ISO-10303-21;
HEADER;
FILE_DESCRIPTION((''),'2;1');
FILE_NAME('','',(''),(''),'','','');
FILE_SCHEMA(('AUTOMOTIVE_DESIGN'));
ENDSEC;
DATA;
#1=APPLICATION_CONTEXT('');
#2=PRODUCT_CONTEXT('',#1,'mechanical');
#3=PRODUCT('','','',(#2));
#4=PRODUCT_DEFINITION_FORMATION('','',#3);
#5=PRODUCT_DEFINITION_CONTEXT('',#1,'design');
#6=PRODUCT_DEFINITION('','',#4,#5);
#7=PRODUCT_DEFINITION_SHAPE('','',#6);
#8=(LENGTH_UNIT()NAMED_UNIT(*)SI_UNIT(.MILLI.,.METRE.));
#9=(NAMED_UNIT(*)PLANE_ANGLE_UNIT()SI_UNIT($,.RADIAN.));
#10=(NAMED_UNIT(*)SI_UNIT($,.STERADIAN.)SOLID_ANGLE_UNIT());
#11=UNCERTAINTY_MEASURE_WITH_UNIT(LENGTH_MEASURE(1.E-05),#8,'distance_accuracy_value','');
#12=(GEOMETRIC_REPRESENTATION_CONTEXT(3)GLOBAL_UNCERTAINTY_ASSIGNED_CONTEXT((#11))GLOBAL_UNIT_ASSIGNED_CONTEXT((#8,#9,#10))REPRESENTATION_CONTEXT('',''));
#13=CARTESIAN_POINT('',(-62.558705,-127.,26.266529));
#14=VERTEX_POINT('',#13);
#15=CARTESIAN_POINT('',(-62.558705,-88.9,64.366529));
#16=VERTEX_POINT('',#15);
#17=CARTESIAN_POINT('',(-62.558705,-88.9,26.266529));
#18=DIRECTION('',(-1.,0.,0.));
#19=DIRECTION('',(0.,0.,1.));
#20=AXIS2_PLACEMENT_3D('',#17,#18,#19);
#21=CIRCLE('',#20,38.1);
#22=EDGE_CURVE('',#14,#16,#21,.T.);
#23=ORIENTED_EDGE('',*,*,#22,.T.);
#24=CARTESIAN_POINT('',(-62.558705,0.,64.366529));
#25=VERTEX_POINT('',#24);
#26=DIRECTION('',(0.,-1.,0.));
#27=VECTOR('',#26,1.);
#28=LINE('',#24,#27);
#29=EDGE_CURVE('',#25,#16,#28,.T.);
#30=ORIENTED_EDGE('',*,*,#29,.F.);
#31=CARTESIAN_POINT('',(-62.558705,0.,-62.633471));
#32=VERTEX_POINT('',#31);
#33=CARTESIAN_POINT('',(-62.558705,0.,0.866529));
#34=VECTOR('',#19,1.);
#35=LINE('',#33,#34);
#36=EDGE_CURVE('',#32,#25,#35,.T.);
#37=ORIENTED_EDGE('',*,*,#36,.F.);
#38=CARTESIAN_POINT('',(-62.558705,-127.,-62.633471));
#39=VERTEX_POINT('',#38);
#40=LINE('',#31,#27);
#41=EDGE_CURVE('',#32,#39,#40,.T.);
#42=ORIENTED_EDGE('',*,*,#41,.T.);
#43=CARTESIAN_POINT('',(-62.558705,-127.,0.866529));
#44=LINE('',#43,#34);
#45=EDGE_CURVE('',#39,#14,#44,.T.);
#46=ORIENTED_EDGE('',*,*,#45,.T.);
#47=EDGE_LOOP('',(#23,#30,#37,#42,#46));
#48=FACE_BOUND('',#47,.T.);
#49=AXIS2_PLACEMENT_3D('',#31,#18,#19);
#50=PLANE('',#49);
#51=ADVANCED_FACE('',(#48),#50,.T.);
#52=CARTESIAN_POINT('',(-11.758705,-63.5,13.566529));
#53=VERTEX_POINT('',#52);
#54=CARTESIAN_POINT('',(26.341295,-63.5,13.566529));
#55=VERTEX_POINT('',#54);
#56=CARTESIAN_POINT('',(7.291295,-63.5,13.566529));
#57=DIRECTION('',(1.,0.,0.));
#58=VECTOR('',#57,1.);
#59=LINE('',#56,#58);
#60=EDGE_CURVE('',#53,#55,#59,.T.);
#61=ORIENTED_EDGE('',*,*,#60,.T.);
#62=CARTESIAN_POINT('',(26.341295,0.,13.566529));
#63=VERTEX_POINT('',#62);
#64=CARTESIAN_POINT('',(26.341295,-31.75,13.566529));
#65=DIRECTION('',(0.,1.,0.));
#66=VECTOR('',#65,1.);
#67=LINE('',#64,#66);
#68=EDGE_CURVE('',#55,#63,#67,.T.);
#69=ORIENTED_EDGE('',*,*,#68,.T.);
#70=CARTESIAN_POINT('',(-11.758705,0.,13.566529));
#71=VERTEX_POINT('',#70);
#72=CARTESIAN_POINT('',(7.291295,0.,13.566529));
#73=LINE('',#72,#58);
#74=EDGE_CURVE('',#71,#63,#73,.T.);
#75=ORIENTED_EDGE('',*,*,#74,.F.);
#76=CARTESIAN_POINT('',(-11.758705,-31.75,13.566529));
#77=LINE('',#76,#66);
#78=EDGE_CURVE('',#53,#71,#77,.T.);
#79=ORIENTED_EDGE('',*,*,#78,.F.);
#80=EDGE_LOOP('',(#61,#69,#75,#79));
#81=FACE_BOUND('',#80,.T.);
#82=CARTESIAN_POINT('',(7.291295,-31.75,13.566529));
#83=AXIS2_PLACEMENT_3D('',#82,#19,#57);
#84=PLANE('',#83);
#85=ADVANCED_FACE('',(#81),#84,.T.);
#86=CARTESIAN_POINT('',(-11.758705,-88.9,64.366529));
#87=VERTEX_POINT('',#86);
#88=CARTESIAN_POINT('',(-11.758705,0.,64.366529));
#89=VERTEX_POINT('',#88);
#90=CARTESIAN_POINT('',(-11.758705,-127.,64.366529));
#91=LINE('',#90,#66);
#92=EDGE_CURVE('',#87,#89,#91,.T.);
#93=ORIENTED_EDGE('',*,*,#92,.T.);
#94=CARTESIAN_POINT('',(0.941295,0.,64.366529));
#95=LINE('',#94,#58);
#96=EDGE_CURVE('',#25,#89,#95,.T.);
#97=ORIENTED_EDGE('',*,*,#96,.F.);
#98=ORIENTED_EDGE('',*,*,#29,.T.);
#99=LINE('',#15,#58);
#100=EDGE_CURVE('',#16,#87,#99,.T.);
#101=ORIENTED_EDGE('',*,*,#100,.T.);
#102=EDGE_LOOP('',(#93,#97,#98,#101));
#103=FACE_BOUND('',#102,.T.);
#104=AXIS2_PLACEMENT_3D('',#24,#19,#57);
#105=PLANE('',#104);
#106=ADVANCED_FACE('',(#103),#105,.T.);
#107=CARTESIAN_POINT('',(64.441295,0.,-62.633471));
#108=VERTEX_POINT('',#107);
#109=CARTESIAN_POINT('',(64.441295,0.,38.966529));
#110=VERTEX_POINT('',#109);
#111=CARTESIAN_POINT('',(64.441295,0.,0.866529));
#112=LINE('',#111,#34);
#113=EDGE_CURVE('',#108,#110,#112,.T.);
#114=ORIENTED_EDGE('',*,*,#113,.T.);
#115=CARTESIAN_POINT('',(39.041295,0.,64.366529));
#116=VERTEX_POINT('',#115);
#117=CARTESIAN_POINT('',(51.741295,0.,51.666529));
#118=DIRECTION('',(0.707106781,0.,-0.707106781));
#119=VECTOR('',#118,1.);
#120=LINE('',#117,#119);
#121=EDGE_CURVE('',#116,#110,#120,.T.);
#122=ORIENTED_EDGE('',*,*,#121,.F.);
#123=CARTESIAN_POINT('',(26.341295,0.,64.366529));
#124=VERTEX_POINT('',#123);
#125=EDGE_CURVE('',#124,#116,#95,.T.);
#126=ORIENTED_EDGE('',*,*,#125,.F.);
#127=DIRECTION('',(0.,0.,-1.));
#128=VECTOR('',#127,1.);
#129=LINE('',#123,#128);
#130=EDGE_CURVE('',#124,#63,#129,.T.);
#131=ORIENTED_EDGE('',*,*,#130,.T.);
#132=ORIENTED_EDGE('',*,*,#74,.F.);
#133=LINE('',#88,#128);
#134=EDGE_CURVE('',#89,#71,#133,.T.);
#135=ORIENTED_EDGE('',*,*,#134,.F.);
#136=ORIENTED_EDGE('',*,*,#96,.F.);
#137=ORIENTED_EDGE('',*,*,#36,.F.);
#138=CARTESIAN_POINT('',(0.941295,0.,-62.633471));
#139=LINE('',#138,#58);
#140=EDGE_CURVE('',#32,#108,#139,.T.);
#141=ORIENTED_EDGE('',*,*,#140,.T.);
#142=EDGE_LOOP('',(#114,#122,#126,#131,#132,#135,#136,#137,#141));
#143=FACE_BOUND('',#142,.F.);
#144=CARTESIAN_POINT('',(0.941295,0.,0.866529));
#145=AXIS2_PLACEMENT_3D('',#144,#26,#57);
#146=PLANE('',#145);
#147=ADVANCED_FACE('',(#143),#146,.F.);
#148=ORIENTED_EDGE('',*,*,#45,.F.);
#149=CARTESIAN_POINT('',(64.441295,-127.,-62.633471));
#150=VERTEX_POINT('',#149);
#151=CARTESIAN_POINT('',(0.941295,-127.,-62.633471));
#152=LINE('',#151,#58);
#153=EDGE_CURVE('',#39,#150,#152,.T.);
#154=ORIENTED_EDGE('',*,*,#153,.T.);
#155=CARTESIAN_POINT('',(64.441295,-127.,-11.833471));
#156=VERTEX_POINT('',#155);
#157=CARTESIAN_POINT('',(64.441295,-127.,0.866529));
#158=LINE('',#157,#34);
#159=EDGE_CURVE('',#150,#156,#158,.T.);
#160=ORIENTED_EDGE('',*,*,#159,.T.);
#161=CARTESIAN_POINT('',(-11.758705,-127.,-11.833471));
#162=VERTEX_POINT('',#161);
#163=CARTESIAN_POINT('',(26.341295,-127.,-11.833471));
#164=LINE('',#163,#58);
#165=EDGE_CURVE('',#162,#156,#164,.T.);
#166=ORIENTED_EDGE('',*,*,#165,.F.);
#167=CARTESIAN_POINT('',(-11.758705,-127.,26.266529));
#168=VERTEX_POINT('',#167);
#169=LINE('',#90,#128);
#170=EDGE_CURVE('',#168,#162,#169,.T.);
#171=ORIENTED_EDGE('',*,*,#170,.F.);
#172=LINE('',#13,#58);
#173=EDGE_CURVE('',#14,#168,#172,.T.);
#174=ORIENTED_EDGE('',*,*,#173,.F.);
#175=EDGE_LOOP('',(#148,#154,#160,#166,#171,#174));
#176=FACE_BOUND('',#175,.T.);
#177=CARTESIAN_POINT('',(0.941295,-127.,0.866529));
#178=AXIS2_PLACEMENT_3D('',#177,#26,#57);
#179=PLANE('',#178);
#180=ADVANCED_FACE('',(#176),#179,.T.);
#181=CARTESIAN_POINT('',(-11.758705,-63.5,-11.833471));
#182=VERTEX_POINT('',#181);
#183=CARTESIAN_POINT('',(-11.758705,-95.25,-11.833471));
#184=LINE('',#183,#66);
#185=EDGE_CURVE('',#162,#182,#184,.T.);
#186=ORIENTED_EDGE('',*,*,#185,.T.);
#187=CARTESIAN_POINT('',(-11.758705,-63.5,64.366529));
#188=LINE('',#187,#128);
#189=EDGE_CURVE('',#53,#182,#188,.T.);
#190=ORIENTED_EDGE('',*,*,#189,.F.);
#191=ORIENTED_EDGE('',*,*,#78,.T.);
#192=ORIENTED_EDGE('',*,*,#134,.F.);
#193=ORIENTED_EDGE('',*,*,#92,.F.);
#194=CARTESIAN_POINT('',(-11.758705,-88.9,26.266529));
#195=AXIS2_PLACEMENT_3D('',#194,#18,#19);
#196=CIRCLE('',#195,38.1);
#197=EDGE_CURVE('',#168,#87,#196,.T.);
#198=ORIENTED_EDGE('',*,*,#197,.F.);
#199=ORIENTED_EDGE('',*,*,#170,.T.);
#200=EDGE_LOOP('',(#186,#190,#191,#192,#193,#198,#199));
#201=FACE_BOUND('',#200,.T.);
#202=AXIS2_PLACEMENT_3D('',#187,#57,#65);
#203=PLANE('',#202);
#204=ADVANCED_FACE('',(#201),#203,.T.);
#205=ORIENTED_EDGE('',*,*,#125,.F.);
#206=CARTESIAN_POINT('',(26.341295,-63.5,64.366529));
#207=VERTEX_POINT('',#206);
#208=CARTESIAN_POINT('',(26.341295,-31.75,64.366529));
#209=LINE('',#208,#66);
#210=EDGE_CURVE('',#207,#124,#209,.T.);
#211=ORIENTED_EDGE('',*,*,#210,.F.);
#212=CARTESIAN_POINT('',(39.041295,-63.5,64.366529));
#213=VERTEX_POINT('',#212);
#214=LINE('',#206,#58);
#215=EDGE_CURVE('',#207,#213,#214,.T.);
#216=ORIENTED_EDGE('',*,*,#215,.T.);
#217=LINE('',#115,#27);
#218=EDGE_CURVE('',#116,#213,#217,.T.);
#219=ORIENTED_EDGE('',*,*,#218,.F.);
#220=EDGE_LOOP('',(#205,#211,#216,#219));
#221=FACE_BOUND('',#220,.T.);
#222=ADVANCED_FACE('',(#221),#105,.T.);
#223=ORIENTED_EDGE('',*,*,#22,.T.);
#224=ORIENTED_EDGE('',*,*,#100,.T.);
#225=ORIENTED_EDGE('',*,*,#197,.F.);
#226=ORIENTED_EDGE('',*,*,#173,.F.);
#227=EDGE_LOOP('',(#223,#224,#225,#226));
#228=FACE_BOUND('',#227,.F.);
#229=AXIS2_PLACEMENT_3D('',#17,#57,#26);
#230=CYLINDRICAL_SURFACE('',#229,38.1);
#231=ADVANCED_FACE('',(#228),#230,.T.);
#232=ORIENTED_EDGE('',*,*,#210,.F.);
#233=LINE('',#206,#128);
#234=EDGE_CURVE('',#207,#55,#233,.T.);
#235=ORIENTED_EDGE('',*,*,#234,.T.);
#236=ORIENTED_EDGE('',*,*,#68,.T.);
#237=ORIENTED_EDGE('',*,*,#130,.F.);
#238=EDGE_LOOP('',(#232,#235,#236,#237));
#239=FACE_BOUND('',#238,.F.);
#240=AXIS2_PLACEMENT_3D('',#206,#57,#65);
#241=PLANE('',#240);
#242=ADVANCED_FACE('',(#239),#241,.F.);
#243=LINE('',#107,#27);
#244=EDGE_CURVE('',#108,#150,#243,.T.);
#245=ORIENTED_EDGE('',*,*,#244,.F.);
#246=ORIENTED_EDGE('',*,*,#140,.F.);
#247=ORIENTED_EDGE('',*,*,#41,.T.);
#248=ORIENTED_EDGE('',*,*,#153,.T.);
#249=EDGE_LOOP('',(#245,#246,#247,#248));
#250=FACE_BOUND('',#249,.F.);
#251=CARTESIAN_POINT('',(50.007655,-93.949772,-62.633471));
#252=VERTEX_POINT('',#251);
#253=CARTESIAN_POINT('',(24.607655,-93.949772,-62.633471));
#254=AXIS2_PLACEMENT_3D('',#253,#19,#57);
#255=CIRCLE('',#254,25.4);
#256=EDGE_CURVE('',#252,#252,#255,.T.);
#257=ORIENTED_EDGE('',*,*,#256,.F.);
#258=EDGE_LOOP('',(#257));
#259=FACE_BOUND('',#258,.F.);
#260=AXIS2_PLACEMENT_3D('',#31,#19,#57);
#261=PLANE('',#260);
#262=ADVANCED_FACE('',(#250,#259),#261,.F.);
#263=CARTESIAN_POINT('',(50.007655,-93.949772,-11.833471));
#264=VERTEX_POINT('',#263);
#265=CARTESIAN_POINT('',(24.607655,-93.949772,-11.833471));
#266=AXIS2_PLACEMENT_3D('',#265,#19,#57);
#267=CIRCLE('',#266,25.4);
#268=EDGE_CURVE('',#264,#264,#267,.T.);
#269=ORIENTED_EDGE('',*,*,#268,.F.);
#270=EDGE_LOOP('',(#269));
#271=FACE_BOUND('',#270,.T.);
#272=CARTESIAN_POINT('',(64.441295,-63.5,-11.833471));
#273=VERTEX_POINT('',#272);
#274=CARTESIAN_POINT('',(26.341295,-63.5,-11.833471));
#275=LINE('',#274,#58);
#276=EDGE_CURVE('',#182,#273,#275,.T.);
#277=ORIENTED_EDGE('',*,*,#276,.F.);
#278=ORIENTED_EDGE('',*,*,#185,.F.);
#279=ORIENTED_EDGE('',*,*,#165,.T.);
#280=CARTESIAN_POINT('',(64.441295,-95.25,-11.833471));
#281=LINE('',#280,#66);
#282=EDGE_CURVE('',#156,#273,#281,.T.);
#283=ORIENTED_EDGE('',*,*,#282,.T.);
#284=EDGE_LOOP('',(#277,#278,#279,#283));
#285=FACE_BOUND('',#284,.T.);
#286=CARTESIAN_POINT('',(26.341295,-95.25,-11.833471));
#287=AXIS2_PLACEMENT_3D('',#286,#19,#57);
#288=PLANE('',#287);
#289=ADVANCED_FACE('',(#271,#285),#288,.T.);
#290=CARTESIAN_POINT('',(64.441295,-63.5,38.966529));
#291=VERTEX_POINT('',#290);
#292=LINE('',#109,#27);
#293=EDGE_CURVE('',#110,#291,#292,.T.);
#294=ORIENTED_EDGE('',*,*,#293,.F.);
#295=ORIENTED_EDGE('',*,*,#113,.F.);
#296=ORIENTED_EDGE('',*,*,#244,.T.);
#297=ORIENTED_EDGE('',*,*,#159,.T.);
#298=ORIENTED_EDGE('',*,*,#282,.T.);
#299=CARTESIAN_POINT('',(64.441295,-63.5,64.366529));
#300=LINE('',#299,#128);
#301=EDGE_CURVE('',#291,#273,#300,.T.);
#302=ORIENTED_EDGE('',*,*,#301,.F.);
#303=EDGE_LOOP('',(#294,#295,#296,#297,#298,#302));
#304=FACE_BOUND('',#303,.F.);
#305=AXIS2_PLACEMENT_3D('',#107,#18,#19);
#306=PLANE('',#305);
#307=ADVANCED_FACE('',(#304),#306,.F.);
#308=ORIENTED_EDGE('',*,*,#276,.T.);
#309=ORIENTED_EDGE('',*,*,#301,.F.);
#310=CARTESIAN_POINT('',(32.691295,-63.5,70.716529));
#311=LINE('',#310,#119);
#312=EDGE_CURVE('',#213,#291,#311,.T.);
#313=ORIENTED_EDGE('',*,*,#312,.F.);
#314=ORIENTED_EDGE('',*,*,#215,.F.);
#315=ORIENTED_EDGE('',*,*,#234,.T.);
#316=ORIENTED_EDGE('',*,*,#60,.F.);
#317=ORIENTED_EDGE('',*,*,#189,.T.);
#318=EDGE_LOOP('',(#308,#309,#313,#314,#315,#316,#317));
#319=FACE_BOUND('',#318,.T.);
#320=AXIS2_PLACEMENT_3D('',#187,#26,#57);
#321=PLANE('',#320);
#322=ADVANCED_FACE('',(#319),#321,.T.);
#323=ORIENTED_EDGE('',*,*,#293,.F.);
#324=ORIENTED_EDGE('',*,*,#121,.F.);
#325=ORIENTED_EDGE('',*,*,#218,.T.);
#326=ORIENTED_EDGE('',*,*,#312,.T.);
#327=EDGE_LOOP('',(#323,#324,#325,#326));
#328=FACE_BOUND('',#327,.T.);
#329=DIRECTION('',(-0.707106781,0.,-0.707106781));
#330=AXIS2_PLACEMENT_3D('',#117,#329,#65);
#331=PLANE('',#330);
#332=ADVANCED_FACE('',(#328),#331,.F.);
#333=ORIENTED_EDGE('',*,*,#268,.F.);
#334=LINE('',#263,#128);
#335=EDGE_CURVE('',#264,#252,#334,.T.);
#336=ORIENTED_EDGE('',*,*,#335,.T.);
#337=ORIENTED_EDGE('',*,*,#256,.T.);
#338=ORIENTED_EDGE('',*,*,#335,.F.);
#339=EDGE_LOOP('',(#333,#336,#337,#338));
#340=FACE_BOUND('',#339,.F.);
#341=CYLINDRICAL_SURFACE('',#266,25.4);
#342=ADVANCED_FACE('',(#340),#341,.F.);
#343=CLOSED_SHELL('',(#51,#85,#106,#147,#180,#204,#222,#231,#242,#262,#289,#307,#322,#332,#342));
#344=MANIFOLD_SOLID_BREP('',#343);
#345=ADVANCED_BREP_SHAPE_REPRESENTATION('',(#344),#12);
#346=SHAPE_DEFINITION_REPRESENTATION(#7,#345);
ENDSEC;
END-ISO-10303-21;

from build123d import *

# Parameters (mm, degrees)
F0_W     = 127
F0_H     = 127
F1_DEPTH = 127
F2_W     = 76.2
F2_H     = 63.5
F3_DEPTH = 76.2
F4_R     = 25.4
F5_DEPTH = 76.2
F6_W     = 38.1
F6_H     = 63.5
F7_DEPTH = 50.8
F8_R     = 38.1
F9_SIZE  = 25.4


with BuildPart() as f1:
    # F0 (on Front) → F1 (new body)
    with BuildSketch(Plane.XZ):
        with Locations((0.941295, 0.866529)):
            Rectangle(F0_W, F0_H)
    extrude(amount=F1_DEPTH)

    # F2 (on face) → F3 (cut)
    with BuildSketch(Plane.XY.offset(64.366529)):
        with Locations((26.341295, -95.25)):
            Rectangle(F2_W, F2_H)
    extrude(amount=-F3_DEPTH, mode=Mode.SUBTRACT)

    # F4 (on face) → F5 (cut)
    with BuildSketch(Plane.XY.offset(-11.833471)):
        with Locations((24.607655, -93.949772)):
            Circle(F4_R)
    extrude(amount=-F5_DEPTH, mode=Mode.SUBTRACT)

    # F6 (on face) → F7 (cut)
    with BuildSketch(Plane.XY.offset(64.366529)):
        with Locations((7.291295, -31.75)):
            Rectangle(F6_W, F6_H)
    extrude(amount=-F7_DEPTH, mode=Mode.SUBTRACT)

    # F8
    f8_edges = [f1.edges().sort_by_distance(p)[0] for p in [
        (-37.158705, -127, 64.366529),
    ]]
    fillet(f8_edges, radius=F8_R)

    # F9
    f9_edges = [f1.edges().sort_by_distance(p)[0] for p in [
        (64.441295, -31.75, 64.366529),
    ]]
    chamfer(f9_edges, length=F9_SIZE)


solid = f1.part
